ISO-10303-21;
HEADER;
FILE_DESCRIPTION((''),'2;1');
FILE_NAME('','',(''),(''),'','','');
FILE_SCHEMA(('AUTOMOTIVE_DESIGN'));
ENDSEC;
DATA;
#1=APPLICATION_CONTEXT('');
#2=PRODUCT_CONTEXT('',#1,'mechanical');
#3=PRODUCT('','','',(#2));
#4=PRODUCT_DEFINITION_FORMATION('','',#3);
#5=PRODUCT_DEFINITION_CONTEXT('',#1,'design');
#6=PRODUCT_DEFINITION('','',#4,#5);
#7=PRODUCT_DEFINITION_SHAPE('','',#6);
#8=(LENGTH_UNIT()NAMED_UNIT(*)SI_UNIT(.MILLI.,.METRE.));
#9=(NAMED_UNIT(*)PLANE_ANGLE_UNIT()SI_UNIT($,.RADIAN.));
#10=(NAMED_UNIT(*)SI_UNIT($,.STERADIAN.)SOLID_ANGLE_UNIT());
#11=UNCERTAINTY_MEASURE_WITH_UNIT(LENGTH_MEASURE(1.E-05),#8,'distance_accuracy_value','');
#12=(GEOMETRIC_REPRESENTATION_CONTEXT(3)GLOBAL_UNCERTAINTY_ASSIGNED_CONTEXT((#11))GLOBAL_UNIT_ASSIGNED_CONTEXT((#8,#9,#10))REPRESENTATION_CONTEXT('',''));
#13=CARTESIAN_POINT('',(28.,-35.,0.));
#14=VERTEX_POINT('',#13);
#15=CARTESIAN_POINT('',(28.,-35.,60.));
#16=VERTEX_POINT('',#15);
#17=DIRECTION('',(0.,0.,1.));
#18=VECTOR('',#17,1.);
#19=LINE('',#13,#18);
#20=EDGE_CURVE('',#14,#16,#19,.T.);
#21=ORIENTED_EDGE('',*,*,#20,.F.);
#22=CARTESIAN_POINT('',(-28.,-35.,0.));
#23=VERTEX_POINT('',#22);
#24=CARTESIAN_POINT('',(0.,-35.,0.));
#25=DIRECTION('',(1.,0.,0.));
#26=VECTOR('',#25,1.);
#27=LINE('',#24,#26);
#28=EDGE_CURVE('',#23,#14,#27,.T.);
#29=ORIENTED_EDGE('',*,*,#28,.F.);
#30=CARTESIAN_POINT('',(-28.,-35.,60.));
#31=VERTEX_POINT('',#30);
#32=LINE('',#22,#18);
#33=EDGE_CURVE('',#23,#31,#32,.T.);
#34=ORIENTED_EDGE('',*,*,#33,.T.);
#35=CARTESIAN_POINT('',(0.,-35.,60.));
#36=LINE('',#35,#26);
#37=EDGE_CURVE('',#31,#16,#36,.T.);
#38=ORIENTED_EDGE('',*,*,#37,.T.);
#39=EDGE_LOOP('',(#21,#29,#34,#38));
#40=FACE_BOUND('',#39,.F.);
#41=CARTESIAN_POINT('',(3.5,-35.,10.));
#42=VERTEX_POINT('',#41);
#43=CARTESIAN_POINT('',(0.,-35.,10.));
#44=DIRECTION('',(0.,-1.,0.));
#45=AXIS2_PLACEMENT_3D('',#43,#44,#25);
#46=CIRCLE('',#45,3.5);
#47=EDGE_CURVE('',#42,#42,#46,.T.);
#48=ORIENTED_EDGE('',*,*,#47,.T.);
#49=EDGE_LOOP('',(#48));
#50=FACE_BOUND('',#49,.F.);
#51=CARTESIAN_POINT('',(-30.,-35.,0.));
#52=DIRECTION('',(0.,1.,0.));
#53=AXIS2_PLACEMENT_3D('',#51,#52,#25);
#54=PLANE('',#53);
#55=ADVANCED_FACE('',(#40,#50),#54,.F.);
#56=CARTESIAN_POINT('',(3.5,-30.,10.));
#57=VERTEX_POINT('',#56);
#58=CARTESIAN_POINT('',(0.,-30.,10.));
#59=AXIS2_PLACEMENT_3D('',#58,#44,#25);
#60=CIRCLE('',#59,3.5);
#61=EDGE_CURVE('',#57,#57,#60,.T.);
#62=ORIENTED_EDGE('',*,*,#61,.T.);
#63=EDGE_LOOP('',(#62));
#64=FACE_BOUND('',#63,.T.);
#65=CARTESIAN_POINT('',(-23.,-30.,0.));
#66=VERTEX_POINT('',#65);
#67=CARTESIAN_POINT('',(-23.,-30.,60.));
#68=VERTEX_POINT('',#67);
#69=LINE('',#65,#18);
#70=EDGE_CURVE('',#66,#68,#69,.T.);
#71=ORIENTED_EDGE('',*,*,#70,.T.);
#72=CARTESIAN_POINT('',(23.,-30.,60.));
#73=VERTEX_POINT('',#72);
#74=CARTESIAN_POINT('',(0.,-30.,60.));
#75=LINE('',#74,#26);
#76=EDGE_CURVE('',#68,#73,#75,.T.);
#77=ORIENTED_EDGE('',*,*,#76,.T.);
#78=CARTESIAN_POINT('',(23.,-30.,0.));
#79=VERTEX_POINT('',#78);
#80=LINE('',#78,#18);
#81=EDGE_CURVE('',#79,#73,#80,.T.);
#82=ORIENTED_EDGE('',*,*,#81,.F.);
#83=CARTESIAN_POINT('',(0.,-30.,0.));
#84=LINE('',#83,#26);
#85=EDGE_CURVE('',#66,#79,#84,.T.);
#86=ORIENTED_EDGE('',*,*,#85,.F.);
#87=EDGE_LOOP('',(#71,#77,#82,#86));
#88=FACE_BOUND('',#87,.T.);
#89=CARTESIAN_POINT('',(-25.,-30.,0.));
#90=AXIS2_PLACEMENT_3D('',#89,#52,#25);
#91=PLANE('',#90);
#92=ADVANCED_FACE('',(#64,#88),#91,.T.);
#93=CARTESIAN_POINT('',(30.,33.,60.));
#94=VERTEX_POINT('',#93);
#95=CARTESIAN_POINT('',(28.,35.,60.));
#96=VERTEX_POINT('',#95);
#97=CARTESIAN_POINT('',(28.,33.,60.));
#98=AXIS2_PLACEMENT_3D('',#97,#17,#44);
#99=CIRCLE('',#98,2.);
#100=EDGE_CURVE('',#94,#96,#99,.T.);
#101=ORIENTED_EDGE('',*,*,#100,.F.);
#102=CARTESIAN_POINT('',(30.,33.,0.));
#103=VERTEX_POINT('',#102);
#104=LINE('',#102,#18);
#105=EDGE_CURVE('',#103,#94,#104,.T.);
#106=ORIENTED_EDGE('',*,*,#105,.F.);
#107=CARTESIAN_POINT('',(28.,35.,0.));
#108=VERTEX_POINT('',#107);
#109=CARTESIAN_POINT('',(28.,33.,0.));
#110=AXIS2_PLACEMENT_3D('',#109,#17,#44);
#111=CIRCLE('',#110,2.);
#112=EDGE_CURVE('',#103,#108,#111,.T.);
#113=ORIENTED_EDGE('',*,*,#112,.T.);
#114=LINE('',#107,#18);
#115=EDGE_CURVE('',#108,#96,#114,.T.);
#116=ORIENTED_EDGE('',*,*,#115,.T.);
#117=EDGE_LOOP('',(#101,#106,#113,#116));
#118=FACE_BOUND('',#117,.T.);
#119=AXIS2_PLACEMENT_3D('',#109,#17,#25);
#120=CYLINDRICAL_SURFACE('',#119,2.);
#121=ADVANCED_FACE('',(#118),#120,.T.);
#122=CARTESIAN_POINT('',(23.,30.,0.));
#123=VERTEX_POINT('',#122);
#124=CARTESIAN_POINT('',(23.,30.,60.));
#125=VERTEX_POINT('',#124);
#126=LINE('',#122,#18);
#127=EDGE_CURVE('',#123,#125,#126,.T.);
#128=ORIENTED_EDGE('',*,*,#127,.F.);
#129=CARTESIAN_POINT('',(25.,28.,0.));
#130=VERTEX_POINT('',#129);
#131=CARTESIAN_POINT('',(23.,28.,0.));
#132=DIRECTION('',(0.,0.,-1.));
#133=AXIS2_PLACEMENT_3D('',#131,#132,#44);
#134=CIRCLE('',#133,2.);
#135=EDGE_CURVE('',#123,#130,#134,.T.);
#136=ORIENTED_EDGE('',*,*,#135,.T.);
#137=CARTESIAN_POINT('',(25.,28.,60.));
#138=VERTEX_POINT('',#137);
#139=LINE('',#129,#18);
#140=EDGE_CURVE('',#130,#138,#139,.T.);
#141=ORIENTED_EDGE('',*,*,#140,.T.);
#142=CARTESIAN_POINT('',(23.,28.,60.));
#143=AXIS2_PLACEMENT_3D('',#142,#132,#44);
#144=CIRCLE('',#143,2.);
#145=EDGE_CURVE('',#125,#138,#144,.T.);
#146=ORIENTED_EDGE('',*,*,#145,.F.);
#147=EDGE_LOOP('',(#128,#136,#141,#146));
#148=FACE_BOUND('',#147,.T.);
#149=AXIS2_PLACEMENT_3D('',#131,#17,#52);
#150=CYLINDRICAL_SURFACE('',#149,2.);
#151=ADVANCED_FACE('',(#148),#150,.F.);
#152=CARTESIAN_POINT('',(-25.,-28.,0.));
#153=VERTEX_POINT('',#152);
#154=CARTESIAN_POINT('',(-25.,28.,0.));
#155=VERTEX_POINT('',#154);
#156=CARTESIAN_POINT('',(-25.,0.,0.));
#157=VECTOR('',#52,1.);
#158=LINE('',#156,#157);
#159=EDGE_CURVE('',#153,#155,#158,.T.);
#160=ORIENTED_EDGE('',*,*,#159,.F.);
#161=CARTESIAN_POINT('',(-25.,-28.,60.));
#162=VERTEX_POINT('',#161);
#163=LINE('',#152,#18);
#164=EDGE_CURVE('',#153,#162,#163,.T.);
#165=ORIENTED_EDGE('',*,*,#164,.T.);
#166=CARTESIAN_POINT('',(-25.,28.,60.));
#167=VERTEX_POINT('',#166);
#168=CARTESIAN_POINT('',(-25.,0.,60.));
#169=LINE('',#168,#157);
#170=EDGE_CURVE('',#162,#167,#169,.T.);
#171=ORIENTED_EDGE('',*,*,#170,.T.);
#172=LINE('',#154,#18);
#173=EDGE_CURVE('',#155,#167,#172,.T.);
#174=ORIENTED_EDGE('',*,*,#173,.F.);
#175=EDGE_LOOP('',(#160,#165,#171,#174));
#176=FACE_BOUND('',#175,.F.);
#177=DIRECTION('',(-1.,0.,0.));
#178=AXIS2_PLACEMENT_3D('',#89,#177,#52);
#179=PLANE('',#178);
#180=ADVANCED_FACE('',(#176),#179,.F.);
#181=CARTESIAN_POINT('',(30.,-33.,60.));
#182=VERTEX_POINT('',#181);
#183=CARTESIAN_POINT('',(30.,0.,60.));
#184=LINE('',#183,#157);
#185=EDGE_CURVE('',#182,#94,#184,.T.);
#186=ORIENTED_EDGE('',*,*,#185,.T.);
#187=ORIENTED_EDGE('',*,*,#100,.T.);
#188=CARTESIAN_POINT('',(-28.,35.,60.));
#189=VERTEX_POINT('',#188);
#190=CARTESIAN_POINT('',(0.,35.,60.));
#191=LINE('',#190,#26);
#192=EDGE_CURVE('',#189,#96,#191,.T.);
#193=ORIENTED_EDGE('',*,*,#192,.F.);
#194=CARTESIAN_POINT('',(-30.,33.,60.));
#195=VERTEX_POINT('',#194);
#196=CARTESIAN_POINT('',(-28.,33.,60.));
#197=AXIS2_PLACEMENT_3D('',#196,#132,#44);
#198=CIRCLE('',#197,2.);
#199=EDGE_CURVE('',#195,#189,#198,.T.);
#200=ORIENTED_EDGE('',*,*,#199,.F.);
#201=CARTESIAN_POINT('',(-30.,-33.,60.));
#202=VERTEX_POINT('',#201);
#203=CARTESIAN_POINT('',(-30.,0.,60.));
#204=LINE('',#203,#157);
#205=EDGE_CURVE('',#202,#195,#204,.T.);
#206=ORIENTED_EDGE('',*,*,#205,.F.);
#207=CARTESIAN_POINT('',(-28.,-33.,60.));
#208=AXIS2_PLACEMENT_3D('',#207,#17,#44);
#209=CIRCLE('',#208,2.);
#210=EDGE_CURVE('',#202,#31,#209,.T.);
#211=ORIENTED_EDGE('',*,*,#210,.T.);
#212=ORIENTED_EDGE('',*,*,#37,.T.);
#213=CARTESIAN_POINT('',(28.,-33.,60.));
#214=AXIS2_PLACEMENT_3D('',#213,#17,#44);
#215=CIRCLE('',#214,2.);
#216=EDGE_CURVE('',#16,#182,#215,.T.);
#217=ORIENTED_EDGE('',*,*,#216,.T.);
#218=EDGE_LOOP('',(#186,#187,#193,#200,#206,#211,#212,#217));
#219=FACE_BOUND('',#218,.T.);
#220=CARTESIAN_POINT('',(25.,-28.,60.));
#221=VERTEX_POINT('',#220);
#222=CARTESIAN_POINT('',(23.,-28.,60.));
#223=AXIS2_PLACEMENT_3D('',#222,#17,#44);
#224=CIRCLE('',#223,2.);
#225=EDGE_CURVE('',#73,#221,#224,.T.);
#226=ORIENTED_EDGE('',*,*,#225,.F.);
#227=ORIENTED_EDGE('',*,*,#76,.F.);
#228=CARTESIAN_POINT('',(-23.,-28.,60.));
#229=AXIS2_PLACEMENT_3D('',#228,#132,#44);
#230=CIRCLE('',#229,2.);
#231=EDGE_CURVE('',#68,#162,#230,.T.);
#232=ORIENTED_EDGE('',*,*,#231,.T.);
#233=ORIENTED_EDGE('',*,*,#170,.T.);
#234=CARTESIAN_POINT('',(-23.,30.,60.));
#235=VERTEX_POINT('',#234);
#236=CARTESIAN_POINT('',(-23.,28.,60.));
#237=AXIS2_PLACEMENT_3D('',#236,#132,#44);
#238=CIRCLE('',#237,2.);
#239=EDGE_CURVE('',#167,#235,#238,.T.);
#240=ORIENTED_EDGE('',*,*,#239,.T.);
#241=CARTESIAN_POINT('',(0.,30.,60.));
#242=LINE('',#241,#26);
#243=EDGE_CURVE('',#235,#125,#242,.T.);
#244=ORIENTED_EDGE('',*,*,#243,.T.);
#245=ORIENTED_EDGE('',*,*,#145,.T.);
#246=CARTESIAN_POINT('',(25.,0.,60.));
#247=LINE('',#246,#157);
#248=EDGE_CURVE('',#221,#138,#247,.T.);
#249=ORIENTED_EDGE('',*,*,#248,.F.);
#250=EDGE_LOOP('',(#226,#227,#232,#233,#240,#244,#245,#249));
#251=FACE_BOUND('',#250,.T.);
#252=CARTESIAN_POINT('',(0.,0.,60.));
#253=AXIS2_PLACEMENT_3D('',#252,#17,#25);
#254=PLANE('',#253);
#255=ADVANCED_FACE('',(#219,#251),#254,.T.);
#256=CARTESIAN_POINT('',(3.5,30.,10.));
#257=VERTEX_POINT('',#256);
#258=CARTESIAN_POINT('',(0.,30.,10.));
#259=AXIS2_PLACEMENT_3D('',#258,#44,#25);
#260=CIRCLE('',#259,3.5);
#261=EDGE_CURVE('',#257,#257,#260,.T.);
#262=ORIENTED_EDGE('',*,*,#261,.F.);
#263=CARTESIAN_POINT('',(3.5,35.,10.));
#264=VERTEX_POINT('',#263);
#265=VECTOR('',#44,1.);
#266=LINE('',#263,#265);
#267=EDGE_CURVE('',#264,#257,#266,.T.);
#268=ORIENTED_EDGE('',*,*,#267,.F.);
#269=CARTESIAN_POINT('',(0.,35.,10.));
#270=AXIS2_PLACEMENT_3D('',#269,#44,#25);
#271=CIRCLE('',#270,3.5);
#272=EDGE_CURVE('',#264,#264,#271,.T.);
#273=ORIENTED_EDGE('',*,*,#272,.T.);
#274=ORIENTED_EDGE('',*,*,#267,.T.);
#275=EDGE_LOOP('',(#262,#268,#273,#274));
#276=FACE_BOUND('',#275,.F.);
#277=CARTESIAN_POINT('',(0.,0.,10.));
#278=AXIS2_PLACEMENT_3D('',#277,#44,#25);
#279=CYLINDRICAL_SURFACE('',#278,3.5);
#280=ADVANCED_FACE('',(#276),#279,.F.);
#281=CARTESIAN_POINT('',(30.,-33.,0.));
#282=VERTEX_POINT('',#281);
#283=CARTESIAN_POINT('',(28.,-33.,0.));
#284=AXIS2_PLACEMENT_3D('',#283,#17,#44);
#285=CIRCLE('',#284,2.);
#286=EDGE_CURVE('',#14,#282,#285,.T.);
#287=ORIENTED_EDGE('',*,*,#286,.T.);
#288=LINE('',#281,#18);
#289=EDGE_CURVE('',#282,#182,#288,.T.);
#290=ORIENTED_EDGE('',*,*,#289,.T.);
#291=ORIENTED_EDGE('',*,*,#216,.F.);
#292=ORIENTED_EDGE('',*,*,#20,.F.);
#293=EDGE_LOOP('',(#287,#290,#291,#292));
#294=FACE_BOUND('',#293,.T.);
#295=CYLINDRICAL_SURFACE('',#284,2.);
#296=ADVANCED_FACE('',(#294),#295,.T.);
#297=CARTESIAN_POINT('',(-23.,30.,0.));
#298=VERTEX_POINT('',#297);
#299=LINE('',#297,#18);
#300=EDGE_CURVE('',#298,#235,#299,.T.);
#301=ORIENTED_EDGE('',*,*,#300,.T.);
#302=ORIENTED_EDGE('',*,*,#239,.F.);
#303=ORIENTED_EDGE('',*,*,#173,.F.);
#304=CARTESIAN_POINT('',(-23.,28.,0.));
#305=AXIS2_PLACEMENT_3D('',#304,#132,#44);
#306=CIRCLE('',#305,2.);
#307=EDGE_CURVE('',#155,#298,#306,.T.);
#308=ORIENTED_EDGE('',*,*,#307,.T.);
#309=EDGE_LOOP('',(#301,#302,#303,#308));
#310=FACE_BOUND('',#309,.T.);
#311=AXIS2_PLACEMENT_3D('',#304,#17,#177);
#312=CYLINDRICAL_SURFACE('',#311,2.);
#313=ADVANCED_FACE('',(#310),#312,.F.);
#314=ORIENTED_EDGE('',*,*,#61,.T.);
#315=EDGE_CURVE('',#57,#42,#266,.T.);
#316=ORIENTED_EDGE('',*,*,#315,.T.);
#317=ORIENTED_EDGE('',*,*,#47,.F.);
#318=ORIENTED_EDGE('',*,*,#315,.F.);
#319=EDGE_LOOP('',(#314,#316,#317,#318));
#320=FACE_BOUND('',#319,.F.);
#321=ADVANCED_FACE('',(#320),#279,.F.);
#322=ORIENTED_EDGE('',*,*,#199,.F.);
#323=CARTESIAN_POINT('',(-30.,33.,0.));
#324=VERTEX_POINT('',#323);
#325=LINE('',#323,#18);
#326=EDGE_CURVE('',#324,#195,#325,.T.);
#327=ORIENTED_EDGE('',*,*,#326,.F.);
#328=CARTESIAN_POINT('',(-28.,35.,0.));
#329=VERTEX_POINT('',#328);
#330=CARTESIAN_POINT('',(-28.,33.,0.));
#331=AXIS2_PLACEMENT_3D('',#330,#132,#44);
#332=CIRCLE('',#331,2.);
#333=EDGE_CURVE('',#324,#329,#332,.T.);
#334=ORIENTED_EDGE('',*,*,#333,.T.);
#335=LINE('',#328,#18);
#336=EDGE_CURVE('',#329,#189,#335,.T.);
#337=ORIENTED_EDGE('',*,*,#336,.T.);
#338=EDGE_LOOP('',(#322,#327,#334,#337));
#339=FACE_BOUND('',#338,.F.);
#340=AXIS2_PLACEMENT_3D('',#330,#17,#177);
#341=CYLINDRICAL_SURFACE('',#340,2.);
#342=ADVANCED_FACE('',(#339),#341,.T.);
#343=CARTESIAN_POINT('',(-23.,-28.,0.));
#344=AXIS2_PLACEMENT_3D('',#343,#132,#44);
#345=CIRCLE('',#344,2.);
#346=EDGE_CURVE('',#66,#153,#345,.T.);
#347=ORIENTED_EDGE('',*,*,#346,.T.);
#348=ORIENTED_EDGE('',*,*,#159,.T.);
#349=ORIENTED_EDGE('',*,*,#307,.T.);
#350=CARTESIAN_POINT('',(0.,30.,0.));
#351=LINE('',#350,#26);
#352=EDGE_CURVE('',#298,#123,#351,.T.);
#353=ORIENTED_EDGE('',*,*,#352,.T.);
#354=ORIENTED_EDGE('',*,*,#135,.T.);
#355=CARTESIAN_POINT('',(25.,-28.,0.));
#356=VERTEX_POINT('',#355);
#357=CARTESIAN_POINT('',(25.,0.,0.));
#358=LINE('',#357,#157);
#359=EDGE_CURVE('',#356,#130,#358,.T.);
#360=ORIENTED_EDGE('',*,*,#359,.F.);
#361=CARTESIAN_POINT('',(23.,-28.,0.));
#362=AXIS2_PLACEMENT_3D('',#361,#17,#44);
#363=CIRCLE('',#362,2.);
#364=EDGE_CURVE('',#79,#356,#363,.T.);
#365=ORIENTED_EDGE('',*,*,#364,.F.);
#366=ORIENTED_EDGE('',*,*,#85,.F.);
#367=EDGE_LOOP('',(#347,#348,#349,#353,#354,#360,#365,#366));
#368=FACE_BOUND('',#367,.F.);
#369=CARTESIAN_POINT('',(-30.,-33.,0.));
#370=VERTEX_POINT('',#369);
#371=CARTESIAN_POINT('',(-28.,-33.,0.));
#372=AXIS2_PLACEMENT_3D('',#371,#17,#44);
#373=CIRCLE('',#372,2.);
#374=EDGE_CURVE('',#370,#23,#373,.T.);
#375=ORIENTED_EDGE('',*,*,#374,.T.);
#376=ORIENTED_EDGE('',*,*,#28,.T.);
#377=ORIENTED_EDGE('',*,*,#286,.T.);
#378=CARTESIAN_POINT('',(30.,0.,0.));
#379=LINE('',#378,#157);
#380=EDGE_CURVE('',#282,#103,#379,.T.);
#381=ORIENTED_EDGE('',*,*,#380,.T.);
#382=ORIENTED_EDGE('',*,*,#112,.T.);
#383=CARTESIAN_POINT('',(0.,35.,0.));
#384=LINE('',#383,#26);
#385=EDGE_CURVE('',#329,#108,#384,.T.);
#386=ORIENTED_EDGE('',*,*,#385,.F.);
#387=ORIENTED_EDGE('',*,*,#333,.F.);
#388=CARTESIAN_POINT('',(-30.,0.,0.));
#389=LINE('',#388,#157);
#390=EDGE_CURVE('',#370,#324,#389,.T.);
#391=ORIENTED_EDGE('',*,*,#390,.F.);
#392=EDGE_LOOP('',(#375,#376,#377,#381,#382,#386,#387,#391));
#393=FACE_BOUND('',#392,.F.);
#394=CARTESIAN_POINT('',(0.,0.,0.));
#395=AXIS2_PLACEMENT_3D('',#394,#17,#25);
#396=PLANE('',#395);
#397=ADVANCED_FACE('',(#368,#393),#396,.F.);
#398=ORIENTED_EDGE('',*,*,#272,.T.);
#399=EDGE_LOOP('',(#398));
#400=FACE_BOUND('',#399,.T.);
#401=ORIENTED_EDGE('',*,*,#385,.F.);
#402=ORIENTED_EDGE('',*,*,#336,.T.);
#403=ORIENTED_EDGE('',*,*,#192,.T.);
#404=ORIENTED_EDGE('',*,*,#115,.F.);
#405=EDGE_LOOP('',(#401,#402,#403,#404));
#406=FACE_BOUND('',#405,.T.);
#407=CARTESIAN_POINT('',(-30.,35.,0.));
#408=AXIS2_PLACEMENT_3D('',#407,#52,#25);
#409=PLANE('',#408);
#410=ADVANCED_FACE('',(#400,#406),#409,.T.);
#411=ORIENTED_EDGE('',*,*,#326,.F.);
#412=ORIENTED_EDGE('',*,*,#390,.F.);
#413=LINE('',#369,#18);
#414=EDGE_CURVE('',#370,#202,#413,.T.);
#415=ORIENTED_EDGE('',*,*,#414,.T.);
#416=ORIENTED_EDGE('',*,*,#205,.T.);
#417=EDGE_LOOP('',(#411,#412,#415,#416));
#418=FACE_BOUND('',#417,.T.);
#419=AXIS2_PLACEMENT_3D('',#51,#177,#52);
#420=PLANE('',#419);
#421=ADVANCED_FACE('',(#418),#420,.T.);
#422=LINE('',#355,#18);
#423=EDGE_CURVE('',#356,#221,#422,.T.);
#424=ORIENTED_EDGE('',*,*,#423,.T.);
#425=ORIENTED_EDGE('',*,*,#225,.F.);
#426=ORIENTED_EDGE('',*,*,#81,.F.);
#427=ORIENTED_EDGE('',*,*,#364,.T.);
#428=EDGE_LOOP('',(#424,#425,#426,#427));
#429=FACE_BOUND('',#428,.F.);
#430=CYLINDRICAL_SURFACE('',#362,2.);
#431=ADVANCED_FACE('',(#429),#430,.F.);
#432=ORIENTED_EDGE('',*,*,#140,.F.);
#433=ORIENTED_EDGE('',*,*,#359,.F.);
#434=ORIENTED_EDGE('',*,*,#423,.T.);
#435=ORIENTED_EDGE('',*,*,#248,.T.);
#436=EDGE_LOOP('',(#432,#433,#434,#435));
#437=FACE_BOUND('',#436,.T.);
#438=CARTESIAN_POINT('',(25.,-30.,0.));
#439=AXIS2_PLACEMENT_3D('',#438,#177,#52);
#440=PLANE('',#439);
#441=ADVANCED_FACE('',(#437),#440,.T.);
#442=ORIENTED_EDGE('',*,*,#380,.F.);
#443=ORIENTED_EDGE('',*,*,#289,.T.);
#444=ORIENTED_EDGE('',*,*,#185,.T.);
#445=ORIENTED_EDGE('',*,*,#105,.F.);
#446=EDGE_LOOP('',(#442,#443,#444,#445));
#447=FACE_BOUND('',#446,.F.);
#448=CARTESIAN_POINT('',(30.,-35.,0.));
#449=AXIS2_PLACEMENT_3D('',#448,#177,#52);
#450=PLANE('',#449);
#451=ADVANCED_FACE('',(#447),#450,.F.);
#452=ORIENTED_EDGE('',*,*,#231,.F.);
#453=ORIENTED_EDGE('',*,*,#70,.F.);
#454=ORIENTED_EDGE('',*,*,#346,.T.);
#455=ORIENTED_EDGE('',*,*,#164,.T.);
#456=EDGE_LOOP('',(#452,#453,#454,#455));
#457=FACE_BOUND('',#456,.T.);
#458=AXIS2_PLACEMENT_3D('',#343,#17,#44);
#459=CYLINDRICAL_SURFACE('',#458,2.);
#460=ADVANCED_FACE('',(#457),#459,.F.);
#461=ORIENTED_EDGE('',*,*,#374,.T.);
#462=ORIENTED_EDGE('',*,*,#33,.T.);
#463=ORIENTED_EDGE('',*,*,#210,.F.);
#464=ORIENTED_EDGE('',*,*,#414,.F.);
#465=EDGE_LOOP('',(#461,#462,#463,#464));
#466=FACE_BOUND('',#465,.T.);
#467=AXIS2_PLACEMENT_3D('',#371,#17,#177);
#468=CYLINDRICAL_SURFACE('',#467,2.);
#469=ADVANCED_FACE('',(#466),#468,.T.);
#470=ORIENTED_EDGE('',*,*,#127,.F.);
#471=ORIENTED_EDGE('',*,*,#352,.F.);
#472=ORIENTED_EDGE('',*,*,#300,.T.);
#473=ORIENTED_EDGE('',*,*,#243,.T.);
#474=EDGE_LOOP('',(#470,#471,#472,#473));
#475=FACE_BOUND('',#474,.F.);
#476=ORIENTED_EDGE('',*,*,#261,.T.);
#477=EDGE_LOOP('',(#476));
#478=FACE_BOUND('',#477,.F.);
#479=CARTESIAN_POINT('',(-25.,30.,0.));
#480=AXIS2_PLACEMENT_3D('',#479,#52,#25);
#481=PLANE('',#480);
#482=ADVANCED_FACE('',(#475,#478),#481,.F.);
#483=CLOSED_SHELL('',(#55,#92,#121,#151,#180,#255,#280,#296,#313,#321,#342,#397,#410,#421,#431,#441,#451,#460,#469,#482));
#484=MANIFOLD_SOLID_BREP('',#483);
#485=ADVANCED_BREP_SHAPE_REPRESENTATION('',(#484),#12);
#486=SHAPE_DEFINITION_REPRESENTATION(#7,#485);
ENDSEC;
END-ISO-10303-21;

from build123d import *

# Parameters (mm, degrees)
F0_W     = 60
F0_H     = 70
F0_W_2   = 3.1822137535
F0_H_2   = 3.1822174788
F0_W_3   = 50
F0_H_3   = 60
F1_DEPTH = 60
F2_R     = 2
F3_R     = 2
F4_R     = 3.5
F5_DEPTH = 35


with BuildPart() as f1:
    # F0 (on Top) → F1 (new body)
    with BuildSketch(Plane.XY):
        Rectangle(F0_W, F0_H)
        with Locations((-28.2989926636, 27.0488355309)):
            Rectangle(F0_W_2, F0_H_2, mode=Mode.SUBTRACT)
        Rectangle(F0_W_3, F0_H_3, mode=Mode.SUBTRACT)
        with Locations((-28.2989926636, 27.0488355309)):
            Rectangle(F0_W_2, F0_H_2)
    extrude(amount=F1_DEPTH)

    # F2
    f2_edges = [f1.edges().sort_by_distance(p)[0] for p in [
        (30, 35, 30),
        (30, -35, 30),
        (-30, 35, 30),
        (-30, -35, 30),
    ]]
    fillet(f2_edges, radius=F2_R)

    # F3
    f3_edges = [f1.edges().sort_by_distance(p)[0] for p in [
        (-25, 30, 30),
        (25, -30, 30),
        (25, 30, 30),
        (-25, -30, 30),
    ]]
    fillet(f3_edges, radius=F3_R)

    # F4 (on Front) → F5 (cut, symmetric)
    with BuildSketch(Plane.XZ):
        with Locations((0, 10)):
            Circle(F4_R)
    extrude(amount=F5_DEPTH, both=True, mode=Mode.SUBTRACT)


solid = f1.part
